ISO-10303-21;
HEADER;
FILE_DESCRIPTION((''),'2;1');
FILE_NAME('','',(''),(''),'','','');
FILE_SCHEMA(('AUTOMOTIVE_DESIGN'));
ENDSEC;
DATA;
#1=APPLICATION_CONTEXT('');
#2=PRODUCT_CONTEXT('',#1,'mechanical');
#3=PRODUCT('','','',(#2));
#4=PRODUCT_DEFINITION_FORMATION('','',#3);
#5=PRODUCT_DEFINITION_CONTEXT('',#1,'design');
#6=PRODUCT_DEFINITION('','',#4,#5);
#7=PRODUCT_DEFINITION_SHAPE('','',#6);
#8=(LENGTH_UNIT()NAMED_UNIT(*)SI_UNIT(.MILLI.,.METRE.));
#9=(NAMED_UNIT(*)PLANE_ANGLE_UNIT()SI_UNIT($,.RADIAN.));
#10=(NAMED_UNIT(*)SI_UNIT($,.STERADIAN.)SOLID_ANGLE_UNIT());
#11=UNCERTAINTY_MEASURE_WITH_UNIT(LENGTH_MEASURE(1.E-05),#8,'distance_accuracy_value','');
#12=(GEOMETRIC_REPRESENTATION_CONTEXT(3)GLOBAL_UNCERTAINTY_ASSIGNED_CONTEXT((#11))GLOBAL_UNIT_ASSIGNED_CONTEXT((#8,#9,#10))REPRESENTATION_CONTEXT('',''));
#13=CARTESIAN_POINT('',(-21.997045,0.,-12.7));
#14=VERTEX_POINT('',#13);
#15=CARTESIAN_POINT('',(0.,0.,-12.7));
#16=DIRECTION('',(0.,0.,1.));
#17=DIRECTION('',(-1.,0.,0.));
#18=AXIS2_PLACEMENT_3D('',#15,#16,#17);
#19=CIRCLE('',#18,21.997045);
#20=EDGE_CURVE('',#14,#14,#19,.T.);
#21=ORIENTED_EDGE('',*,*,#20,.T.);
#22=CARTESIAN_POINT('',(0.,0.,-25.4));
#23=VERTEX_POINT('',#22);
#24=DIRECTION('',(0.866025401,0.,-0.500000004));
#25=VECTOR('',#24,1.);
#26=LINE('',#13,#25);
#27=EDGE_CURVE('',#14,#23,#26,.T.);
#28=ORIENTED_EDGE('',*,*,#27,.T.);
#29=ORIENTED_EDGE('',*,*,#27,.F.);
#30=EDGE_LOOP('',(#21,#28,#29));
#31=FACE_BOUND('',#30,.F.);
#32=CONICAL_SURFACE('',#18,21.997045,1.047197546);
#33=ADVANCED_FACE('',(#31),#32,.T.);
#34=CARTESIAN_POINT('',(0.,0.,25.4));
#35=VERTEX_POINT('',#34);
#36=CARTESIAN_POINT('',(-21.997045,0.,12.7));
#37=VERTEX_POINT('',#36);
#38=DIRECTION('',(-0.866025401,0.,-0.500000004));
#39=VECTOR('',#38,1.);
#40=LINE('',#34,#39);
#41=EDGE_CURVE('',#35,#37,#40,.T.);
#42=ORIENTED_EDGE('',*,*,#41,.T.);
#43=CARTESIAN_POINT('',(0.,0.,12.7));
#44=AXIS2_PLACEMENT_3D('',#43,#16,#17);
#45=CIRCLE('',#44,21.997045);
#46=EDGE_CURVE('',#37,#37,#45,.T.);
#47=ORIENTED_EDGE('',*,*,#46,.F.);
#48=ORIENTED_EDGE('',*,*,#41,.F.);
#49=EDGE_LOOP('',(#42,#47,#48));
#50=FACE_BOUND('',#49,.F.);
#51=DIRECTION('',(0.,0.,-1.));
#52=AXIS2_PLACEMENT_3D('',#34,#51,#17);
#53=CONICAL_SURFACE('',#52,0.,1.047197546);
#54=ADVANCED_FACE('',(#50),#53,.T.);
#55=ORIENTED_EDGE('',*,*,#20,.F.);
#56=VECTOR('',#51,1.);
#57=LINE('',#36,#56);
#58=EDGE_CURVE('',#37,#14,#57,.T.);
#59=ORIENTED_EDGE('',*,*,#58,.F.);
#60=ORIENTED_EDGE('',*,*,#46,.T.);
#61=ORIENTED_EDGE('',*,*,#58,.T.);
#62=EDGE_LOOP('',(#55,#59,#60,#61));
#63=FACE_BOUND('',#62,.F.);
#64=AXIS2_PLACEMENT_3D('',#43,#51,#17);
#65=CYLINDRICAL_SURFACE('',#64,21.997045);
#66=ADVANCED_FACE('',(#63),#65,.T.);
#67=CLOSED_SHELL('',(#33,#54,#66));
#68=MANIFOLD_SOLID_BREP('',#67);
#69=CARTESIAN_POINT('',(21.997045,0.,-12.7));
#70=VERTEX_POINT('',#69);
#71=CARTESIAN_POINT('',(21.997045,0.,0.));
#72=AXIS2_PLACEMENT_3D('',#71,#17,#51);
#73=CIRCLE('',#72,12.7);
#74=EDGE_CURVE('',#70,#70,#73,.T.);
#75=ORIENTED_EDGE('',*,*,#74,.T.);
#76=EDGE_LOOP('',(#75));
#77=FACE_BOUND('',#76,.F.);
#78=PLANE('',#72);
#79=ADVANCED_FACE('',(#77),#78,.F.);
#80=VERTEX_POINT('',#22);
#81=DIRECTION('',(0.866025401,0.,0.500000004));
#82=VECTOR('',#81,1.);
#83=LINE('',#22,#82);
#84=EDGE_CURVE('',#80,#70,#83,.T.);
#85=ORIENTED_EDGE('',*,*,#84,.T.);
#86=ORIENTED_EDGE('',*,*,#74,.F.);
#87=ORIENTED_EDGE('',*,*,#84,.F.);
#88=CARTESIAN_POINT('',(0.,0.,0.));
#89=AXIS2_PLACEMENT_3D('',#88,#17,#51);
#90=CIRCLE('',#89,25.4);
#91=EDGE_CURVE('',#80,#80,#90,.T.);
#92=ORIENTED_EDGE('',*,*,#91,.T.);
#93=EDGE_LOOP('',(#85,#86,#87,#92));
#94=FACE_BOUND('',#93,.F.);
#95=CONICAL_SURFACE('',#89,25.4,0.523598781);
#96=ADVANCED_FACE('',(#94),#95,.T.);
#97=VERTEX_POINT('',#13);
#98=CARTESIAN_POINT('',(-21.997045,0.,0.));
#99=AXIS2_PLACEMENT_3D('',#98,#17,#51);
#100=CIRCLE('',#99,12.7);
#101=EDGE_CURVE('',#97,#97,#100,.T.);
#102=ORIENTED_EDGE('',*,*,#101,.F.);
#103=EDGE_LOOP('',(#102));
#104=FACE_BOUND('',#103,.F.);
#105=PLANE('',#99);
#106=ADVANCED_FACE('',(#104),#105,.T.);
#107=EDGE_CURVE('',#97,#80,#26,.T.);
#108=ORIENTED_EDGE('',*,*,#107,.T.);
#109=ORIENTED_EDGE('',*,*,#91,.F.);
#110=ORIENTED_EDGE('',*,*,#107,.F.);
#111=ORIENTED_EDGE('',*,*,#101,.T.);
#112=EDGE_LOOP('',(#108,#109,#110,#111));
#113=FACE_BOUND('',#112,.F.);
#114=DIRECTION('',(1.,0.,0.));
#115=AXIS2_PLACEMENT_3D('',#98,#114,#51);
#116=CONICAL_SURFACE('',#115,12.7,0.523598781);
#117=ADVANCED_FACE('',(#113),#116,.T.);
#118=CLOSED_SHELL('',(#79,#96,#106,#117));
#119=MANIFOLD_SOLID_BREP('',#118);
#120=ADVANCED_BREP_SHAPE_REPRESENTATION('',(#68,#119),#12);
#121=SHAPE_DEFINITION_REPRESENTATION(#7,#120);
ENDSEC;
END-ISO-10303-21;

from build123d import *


with BuildPart() as f1:
    # F0 (on Front) → F1 (revolve)
    with BuildSketch(Plane.XZ):
        Polygon((0, 0), (0, 25.4), (-21.997045, 12.7), align=None)
        Polygon((-21.997045, 0), (0, 0), (-21.997045, 12.7), align=None)
        Polygon((0, -25.4), (0, 0), (-21.997045, -12.7), align=None)
        Polygon((-21.997045, -12.7), (0, 0), (-21.997045, 0), align=None)
    revolve(axis=Axis((0, 0, 12.7), (0, 0, 1)))


with BuildPart() as f2:
    # F0 (on Front) → F2 (revolve)
    with BuildSketch(Plane.XZ):
        Polygon((0, -25.4), (0, 0), (-21.997045, -12.7), align=None)
        Polygon((-21.997045, -12.7), (0, 0), (-21.997045, 0), align=None)
        Polygon((0, -25.4), (21.997045, -12.7), (0, 0), align=None)
        Polygon((0, 0), (21.997045, -12.7), (21.997045, 0), align=None)
    revolve(axis=Axis((-10.998523, 0, 0), (-1, 0, 0)))


solid = Compound([f1.part, f2.part])
